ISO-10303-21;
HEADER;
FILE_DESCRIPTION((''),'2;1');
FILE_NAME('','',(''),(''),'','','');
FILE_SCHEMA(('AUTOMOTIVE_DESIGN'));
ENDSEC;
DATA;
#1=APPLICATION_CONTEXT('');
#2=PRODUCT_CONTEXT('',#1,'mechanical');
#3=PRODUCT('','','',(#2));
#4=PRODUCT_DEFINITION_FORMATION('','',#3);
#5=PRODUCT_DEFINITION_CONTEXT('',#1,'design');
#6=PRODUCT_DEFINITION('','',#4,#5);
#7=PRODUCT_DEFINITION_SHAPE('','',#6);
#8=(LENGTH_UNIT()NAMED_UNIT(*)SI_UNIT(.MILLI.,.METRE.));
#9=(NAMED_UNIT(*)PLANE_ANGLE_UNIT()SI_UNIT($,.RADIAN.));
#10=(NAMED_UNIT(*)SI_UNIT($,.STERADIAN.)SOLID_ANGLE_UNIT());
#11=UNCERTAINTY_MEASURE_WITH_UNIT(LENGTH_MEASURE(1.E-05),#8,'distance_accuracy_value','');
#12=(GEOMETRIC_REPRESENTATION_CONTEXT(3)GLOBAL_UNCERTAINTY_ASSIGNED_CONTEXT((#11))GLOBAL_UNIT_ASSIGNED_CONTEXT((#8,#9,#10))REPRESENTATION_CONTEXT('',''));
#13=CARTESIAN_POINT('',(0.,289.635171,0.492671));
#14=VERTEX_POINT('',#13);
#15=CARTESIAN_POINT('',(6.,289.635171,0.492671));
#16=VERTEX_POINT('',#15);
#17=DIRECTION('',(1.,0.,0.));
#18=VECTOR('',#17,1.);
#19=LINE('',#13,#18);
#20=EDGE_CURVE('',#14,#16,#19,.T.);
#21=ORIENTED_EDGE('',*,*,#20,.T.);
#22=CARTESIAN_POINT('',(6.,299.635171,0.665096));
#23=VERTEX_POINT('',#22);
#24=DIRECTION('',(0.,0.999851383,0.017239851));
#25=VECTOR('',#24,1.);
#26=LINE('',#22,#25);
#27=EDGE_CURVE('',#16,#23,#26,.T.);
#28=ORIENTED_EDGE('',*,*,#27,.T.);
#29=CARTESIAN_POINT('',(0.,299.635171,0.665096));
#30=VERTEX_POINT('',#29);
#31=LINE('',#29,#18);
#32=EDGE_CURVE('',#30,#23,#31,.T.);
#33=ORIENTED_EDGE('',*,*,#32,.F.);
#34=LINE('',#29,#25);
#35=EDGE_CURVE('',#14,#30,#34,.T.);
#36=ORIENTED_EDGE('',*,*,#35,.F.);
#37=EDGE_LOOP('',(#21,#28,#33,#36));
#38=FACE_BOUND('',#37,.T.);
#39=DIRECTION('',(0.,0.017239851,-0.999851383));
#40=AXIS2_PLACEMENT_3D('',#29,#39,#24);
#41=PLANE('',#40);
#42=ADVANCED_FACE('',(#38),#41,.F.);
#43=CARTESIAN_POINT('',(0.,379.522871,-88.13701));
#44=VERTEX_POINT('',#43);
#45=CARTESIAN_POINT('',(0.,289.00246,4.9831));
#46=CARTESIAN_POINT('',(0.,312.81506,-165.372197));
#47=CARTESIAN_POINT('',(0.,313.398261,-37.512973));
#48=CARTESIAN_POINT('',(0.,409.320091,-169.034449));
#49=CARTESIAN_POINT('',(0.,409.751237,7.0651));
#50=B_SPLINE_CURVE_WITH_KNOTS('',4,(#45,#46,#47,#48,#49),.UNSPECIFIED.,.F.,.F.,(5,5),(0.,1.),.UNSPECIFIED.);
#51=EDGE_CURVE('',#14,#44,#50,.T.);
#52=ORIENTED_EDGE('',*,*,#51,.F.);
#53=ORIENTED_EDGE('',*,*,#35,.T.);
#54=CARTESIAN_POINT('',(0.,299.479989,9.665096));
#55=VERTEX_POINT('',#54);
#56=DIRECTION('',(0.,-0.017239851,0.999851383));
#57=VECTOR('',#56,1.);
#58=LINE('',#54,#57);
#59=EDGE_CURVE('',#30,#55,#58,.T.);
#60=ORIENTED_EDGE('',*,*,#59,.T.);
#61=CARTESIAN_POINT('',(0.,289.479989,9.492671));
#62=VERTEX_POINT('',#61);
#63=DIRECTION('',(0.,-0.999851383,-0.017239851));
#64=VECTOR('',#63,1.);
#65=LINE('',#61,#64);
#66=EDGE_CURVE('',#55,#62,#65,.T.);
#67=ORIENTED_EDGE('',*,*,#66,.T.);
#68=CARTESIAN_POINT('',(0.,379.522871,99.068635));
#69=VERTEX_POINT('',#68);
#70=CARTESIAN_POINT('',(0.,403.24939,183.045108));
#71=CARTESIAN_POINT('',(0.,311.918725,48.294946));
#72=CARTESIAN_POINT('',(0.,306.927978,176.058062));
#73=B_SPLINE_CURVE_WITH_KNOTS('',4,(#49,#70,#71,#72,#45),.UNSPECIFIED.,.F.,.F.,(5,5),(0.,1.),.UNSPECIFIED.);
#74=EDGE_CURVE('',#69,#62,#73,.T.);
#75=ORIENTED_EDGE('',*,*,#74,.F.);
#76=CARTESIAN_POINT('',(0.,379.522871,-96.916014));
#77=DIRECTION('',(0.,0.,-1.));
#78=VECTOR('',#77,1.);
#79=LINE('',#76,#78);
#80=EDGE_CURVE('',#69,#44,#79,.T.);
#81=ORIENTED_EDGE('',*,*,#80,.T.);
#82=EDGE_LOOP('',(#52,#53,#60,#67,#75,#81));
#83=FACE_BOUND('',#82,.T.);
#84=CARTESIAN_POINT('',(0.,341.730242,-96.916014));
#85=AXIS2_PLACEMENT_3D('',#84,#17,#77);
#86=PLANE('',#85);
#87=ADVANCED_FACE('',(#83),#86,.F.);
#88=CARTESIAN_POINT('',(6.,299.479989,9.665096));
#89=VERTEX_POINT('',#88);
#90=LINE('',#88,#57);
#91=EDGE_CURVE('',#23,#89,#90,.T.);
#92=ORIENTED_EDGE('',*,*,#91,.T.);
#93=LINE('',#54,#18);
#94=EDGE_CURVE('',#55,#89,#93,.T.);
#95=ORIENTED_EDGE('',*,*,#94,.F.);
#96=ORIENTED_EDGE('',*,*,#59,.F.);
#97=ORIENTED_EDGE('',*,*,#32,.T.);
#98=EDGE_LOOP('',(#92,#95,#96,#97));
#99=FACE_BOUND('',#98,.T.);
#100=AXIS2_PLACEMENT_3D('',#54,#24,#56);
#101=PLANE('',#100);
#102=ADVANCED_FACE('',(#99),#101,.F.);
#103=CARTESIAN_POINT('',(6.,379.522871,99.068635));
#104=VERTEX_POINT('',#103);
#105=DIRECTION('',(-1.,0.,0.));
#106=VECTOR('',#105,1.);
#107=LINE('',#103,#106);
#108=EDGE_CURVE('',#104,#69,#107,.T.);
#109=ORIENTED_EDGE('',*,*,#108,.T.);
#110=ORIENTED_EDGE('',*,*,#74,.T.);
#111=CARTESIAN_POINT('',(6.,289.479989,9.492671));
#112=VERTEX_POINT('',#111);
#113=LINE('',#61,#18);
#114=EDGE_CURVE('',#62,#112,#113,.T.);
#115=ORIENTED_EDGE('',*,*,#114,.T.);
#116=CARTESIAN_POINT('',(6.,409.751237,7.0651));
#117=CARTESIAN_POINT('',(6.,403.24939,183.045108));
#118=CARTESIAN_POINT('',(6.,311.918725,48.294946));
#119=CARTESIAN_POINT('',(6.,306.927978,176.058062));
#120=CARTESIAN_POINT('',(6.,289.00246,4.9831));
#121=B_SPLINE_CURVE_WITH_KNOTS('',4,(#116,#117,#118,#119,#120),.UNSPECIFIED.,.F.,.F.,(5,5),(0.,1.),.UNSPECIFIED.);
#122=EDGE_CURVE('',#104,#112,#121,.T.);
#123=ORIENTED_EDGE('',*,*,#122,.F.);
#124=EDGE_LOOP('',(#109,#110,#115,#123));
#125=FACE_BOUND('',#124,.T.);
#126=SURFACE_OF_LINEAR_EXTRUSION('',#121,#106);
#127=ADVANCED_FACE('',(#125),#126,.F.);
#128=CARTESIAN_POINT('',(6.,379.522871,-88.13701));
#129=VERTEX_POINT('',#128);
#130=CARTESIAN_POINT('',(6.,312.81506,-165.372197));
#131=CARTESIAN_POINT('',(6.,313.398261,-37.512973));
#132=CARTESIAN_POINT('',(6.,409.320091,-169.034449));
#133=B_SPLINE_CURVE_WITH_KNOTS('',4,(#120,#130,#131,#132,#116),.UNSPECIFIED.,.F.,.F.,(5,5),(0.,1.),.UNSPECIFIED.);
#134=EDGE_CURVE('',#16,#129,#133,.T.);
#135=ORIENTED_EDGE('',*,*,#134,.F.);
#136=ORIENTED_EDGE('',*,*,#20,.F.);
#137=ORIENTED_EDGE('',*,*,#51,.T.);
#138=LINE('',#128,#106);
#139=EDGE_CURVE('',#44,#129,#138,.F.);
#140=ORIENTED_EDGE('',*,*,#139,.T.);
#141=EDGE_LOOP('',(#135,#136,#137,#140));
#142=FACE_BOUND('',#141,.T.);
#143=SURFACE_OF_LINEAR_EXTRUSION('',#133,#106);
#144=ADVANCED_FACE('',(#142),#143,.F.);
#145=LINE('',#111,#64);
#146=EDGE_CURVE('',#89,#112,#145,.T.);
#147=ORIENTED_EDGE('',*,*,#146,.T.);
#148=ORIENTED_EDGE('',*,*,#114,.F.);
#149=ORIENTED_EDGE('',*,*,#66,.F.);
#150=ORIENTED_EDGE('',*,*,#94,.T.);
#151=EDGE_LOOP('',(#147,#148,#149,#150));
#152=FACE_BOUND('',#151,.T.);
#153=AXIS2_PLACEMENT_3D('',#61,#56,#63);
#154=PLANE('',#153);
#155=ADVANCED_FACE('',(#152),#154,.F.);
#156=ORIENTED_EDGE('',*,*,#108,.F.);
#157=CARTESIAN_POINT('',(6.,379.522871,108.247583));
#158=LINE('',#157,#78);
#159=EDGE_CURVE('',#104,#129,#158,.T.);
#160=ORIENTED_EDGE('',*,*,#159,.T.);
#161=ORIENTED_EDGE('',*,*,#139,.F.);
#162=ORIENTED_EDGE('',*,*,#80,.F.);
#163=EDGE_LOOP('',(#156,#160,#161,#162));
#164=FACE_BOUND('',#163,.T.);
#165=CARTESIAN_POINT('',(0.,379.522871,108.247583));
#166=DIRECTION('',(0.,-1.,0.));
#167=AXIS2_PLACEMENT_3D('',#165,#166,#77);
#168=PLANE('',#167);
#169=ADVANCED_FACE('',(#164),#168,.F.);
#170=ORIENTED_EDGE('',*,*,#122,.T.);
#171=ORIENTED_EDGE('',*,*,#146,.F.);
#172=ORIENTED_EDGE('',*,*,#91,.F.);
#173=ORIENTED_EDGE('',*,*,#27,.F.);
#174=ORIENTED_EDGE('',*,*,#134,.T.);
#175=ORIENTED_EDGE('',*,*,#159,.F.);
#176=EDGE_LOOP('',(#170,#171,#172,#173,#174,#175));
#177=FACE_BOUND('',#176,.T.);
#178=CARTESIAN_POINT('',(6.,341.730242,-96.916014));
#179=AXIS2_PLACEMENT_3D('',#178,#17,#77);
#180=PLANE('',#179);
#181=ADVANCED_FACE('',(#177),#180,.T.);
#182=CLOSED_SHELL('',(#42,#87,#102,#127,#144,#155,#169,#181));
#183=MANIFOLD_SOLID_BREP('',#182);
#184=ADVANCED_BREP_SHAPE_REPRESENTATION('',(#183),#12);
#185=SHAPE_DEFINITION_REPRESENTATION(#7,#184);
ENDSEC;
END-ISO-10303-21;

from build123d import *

# Parameters (mm, degrees)
BOSS_EXTRU_3_DEPTH      = 6
ENL_V_MAT_EXTRU_1_DEPTH = 6
ESQUISSE4_W             = 218.43509427
ESQUISSE4_H             = 33.522217437
ENL_V_MAT_EXTRU_2_DEPTH = 6


with BuildPart() as part:
    # Esquisse2 → Boss.-Extru.3 (new body)
    with BuildSketch(Plane(origin=(0, 0, 0), x_dir=(0, 0, -1), z_dir=(1, 0, 0))):
        with BuildLine():
            add(Edge.make_bspline(
                [(-7.065100079, 409.751237327), (-183.045107551, 403.249389946), (-48.294946403, 311.918725168), (-176.058062158, 306.927978459), (-4.983099793, 289.002460423)],
                knots=[0, 0, 0, 0, 0, 1, 1, 1, 1, 1], degree=4))
            add(Edge.make_bspline(
                [(-7.065100079, 409.751237327), (169.034448932, 409.320091083), (37.512972649, 313.398260751), (165.372196707, 312.815060008), (-4.983099793, 289.002460423)],
                knots=[0, 0, 0, 0, 0, 1, 1, 1, 1, 1], degree=4))
        make_face()
    extrude(amount=BOSS_EXTRU_3_DEPTH)

    # Esquisse3 → Enlèv. mat.-Extru.1 (cut)
    with BuildSketch(Plane(origin=(6, 0, 0), x_dir=(0, 0, -1), z_dir=(1, 0, 0))):
        Polygon((-9.492671401, 289.479989494), (-9.665095531, 299.479989494), (-0.665095531, 299.635171212), (-0.492671401, 289.635171212), (1.759983212, 274.106938881), (-11.796326648, 270.185646644), align=None)
    extrude(amount=-ENL_V_MAT_EXTRU_1_DEPTH, mode=Mode.SUBTRACT)

    # Esquisse4 → Enlèv. mat.-Extru.2 (cut)
    with BuildSketch(Plane(origin=(6, 0, 0), x_dir=(0, 0, -1), z_dir=(1, 0, 0))):
        with Locations((0.96996454, 396.283979233)):
            Rectangle(ESQUISSE4_W, ESQUISSE4_H)
    extrude(amount=-ENL_V_MAT_EXTRU_2_DEPTH, mode=Mode.SUBTRACT)


solid = part.part
